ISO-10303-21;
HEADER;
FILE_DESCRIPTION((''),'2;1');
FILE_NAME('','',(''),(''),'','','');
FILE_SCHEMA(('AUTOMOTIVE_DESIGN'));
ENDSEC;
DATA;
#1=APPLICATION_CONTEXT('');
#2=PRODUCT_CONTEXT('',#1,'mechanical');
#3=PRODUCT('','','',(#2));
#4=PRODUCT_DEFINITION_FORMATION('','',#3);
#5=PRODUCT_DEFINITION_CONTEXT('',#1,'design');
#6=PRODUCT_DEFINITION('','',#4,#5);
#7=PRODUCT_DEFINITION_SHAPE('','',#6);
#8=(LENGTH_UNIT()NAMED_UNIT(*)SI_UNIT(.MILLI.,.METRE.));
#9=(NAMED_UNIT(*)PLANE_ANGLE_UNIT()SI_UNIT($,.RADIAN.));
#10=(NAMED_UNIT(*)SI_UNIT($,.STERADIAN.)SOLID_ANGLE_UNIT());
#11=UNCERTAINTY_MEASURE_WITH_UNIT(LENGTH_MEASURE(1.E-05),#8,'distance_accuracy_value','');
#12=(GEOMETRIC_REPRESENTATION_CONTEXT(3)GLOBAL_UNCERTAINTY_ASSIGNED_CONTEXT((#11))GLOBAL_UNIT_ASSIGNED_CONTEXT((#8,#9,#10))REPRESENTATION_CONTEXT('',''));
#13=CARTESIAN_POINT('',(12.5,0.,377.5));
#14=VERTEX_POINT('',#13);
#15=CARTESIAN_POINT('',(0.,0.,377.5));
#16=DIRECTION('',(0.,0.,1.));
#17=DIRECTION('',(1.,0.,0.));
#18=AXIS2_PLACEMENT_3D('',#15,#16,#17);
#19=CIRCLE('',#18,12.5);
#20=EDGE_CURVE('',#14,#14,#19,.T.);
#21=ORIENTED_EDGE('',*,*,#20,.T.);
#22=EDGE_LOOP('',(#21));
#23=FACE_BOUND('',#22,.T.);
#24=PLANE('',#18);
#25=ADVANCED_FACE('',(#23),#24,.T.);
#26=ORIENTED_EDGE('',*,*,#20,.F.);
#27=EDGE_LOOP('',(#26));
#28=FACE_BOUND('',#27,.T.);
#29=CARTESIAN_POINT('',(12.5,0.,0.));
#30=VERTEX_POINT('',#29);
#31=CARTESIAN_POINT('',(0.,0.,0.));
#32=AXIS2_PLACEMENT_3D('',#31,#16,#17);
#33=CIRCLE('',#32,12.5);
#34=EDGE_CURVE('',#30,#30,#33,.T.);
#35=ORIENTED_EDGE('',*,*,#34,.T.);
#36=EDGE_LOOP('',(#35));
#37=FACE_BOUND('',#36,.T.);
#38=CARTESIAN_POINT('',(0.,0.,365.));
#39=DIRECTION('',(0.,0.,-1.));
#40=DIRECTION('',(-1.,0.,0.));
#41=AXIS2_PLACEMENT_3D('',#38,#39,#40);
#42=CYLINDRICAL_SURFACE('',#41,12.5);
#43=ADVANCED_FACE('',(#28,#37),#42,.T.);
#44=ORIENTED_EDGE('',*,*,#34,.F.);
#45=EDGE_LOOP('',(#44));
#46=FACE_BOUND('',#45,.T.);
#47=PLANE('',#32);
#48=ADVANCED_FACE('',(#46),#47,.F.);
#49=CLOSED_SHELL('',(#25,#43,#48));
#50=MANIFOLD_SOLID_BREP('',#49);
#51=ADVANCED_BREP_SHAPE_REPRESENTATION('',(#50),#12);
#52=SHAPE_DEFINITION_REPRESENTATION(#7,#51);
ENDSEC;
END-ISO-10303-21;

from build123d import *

# Parameters (mm, degrees)
SKETCH1_R           = 12.5
BOSS_EXTRUDE1_DEPTH = 365
SKETCH2_R           = 12.5
BOSS_EXTRUDE2_DEPTH = 12.5


with BuildPart() as part:
    # Sketch1 → Boss-Extrude1 (new body)
    with BuildSketch(Plane.XY):
        Circle(SKETCH1_R)
    extrude(amount=BOSS_EXTRUDE1_DEPTH)

    # Sketch2 → Boss-Extrude2 (add)
    with BuildSketch(Plane.XY.offset(365)):
        Circle(SKETCH2_R)
    extrude(amount=BOSS_EXTRUDE2_DEPTH)


solid = part.part
